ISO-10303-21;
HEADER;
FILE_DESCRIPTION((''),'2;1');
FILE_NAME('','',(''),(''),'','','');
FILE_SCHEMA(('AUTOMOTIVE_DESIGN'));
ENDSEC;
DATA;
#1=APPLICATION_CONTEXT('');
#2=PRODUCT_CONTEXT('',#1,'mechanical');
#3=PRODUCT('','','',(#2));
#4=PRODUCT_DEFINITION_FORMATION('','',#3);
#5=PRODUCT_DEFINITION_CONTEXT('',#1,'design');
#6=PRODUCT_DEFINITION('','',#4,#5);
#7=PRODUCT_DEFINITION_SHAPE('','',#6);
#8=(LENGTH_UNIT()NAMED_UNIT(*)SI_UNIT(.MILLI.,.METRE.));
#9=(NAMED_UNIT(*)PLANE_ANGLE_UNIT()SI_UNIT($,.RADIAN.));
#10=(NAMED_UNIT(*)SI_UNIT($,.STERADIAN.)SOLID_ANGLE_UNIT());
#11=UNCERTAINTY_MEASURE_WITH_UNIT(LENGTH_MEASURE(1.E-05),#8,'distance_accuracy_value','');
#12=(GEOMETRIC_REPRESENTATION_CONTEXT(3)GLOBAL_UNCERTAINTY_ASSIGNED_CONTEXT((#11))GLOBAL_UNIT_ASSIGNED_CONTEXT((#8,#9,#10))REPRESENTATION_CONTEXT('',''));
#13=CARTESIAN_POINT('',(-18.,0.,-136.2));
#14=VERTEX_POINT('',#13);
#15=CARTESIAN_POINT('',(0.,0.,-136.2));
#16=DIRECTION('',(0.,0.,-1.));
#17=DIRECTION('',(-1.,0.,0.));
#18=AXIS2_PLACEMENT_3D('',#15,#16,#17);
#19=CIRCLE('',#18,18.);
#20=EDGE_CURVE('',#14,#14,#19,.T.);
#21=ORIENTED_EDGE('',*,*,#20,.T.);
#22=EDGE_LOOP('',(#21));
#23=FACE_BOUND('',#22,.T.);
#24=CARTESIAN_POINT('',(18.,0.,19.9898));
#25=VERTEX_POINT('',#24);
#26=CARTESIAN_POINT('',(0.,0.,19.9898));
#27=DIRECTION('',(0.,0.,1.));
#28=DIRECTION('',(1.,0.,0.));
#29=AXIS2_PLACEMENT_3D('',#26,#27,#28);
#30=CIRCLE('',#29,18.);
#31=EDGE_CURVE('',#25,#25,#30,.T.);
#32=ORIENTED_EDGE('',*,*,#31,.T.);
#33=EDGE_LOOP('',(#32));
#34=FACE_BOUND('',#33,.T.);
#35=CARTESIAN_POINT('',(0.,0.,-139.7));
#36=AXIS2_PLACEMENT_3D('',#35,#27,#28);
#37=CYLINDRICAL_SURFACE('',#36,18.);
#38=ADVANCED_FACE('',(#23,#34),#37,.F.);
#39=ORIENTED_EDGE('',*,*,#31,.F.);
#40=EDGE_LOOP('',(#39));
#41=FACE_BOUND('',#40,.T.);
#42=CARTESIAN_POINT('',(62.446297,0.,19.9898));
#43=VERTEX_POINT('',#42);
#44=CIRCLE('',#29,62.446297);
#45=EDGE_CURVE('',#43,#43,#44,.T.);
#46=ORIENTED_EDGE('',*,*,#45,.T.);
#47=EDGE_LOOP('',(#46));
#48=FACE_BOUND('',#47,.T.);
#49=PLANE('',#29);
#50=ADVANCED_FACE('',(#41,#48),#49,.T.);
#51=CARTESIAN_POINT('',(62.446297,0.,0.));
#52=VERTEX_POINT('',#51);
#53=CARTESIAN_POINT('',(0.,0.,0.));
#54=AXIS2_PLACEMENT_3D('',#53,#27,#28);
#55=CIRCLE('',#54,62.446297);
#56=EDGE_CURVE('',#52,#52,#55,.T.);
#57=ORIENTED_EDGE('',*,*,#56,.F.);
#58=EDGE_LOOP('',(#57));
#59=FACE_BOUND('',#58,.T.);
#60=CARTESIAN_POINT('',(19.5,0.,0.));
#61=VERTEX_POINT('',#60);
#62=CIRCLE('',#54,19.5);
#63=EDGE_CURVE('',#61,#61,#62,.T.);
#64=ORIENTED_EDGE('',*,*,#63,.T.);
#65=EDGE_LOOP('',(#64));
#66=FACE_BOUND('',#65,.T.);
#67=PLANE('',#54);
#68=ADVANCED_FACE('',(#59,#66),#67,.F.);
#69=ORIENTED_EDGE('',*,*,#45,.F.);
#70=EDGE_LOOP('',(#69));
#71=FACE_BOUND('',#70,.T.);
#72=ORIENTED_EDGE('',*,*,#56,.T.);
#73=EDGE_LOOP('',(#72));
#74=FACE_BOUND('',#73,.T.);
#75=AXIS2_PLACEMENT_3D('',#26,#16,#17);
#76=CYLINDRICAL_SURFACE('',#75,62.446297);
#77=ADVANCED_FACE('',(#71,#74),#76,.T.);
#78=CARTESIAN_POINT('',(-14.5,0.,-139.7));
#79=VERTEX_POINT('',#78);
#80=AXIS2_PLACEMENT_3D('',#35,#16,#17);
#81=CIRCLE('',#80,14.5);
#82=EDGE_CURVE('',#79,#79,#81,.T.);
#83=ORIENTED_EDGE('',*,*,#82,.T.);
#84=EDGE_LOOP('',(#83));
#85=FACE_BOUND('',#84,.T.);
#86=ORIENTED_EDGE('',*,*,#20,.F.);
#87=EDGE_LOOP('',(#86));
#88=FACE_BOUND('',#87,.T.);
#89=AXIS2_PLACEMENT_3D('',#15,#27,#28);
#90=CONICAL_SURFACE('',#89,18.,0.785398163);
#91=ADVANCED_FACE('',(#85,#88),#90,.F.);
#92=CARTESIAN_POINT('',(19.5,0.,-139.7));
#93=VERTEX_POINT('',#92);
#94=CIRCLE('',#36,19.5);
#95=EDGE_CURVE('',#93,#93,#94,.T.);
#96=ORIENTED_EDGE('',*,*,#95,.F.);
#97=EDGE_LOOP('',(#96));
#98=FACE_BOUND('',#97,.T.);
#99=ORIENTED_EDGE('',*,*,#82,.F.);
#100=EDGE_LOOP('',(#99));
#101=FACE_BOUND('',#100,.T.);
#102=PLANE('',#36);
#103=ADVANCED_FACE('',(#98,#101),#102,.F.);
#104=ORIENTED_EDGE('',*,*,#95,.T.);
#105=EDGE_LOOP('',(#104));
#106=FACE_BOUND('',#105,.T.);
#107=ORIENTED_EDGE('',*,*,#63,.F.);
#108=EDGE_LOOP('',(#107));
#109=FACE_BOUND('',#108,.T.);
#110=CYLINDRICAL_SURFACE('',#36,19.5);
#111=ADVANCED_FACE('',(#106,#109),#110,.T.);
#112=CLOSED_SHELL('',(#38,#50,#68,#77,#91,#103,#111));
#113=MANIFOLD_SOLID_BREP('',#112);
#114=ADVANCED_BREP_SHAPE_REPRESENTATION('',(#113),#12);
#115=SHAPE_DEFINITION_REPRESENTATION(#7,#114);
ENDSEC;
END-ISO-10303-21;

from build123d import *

# Parameters (mm, degrees)
SKETCH1_R      = 19.5
SKETCH1_R_2    = 18
EXTRUDE1_DEPTH = 139.7
EXTRUDE2_START = 19.9898
SKETCH2_R      = 62.446297133
SKETCH2_R_2    = 18
EXTRUDE2_DEPTH = 19.9898


with BuildPart() as part:
    # Sketch1 → Extrude1 (new body)
    with BuildSketch(Plane.XY):
        Circle(SKETCH1_R)
        Circle(SKETCH1_R_2, mode=Mode.SUBTRACT)
    extrude(amount=-EXTRUDE1_DEPTH)

    # Sketch2 → Extrude2 (add)
    with BuildSketch(Plane.XY.offset(EXTRUDE2_START)):
        Circle(SKETCH2_R)
        Circle(SKETCH2_R_2, mode=Mode.SUBTRACT)
    extrude(amount=-EXTRUDE2_DEPTH)

    # Sketch3 → Revolve1 (revolve)
    with BuildSketch(Plane(origin=(0, 0, 0), x_dir=(0, 0, -1), z_dir=(1, 0, 0)), mode=Mode.PRIVATE) as revolve1_sk:
        Polygon((139.7, 18), (139.7, 14.5), (136.2, 18), align=None)
    revolve(revolve1_sk.sketch.rotate(Axis((0, 0, -143.10013627), (0, 0, 1)), 270), axis=Axis((0, 0, -143.10013627), (0, 0, 1)))


solid = part.part
